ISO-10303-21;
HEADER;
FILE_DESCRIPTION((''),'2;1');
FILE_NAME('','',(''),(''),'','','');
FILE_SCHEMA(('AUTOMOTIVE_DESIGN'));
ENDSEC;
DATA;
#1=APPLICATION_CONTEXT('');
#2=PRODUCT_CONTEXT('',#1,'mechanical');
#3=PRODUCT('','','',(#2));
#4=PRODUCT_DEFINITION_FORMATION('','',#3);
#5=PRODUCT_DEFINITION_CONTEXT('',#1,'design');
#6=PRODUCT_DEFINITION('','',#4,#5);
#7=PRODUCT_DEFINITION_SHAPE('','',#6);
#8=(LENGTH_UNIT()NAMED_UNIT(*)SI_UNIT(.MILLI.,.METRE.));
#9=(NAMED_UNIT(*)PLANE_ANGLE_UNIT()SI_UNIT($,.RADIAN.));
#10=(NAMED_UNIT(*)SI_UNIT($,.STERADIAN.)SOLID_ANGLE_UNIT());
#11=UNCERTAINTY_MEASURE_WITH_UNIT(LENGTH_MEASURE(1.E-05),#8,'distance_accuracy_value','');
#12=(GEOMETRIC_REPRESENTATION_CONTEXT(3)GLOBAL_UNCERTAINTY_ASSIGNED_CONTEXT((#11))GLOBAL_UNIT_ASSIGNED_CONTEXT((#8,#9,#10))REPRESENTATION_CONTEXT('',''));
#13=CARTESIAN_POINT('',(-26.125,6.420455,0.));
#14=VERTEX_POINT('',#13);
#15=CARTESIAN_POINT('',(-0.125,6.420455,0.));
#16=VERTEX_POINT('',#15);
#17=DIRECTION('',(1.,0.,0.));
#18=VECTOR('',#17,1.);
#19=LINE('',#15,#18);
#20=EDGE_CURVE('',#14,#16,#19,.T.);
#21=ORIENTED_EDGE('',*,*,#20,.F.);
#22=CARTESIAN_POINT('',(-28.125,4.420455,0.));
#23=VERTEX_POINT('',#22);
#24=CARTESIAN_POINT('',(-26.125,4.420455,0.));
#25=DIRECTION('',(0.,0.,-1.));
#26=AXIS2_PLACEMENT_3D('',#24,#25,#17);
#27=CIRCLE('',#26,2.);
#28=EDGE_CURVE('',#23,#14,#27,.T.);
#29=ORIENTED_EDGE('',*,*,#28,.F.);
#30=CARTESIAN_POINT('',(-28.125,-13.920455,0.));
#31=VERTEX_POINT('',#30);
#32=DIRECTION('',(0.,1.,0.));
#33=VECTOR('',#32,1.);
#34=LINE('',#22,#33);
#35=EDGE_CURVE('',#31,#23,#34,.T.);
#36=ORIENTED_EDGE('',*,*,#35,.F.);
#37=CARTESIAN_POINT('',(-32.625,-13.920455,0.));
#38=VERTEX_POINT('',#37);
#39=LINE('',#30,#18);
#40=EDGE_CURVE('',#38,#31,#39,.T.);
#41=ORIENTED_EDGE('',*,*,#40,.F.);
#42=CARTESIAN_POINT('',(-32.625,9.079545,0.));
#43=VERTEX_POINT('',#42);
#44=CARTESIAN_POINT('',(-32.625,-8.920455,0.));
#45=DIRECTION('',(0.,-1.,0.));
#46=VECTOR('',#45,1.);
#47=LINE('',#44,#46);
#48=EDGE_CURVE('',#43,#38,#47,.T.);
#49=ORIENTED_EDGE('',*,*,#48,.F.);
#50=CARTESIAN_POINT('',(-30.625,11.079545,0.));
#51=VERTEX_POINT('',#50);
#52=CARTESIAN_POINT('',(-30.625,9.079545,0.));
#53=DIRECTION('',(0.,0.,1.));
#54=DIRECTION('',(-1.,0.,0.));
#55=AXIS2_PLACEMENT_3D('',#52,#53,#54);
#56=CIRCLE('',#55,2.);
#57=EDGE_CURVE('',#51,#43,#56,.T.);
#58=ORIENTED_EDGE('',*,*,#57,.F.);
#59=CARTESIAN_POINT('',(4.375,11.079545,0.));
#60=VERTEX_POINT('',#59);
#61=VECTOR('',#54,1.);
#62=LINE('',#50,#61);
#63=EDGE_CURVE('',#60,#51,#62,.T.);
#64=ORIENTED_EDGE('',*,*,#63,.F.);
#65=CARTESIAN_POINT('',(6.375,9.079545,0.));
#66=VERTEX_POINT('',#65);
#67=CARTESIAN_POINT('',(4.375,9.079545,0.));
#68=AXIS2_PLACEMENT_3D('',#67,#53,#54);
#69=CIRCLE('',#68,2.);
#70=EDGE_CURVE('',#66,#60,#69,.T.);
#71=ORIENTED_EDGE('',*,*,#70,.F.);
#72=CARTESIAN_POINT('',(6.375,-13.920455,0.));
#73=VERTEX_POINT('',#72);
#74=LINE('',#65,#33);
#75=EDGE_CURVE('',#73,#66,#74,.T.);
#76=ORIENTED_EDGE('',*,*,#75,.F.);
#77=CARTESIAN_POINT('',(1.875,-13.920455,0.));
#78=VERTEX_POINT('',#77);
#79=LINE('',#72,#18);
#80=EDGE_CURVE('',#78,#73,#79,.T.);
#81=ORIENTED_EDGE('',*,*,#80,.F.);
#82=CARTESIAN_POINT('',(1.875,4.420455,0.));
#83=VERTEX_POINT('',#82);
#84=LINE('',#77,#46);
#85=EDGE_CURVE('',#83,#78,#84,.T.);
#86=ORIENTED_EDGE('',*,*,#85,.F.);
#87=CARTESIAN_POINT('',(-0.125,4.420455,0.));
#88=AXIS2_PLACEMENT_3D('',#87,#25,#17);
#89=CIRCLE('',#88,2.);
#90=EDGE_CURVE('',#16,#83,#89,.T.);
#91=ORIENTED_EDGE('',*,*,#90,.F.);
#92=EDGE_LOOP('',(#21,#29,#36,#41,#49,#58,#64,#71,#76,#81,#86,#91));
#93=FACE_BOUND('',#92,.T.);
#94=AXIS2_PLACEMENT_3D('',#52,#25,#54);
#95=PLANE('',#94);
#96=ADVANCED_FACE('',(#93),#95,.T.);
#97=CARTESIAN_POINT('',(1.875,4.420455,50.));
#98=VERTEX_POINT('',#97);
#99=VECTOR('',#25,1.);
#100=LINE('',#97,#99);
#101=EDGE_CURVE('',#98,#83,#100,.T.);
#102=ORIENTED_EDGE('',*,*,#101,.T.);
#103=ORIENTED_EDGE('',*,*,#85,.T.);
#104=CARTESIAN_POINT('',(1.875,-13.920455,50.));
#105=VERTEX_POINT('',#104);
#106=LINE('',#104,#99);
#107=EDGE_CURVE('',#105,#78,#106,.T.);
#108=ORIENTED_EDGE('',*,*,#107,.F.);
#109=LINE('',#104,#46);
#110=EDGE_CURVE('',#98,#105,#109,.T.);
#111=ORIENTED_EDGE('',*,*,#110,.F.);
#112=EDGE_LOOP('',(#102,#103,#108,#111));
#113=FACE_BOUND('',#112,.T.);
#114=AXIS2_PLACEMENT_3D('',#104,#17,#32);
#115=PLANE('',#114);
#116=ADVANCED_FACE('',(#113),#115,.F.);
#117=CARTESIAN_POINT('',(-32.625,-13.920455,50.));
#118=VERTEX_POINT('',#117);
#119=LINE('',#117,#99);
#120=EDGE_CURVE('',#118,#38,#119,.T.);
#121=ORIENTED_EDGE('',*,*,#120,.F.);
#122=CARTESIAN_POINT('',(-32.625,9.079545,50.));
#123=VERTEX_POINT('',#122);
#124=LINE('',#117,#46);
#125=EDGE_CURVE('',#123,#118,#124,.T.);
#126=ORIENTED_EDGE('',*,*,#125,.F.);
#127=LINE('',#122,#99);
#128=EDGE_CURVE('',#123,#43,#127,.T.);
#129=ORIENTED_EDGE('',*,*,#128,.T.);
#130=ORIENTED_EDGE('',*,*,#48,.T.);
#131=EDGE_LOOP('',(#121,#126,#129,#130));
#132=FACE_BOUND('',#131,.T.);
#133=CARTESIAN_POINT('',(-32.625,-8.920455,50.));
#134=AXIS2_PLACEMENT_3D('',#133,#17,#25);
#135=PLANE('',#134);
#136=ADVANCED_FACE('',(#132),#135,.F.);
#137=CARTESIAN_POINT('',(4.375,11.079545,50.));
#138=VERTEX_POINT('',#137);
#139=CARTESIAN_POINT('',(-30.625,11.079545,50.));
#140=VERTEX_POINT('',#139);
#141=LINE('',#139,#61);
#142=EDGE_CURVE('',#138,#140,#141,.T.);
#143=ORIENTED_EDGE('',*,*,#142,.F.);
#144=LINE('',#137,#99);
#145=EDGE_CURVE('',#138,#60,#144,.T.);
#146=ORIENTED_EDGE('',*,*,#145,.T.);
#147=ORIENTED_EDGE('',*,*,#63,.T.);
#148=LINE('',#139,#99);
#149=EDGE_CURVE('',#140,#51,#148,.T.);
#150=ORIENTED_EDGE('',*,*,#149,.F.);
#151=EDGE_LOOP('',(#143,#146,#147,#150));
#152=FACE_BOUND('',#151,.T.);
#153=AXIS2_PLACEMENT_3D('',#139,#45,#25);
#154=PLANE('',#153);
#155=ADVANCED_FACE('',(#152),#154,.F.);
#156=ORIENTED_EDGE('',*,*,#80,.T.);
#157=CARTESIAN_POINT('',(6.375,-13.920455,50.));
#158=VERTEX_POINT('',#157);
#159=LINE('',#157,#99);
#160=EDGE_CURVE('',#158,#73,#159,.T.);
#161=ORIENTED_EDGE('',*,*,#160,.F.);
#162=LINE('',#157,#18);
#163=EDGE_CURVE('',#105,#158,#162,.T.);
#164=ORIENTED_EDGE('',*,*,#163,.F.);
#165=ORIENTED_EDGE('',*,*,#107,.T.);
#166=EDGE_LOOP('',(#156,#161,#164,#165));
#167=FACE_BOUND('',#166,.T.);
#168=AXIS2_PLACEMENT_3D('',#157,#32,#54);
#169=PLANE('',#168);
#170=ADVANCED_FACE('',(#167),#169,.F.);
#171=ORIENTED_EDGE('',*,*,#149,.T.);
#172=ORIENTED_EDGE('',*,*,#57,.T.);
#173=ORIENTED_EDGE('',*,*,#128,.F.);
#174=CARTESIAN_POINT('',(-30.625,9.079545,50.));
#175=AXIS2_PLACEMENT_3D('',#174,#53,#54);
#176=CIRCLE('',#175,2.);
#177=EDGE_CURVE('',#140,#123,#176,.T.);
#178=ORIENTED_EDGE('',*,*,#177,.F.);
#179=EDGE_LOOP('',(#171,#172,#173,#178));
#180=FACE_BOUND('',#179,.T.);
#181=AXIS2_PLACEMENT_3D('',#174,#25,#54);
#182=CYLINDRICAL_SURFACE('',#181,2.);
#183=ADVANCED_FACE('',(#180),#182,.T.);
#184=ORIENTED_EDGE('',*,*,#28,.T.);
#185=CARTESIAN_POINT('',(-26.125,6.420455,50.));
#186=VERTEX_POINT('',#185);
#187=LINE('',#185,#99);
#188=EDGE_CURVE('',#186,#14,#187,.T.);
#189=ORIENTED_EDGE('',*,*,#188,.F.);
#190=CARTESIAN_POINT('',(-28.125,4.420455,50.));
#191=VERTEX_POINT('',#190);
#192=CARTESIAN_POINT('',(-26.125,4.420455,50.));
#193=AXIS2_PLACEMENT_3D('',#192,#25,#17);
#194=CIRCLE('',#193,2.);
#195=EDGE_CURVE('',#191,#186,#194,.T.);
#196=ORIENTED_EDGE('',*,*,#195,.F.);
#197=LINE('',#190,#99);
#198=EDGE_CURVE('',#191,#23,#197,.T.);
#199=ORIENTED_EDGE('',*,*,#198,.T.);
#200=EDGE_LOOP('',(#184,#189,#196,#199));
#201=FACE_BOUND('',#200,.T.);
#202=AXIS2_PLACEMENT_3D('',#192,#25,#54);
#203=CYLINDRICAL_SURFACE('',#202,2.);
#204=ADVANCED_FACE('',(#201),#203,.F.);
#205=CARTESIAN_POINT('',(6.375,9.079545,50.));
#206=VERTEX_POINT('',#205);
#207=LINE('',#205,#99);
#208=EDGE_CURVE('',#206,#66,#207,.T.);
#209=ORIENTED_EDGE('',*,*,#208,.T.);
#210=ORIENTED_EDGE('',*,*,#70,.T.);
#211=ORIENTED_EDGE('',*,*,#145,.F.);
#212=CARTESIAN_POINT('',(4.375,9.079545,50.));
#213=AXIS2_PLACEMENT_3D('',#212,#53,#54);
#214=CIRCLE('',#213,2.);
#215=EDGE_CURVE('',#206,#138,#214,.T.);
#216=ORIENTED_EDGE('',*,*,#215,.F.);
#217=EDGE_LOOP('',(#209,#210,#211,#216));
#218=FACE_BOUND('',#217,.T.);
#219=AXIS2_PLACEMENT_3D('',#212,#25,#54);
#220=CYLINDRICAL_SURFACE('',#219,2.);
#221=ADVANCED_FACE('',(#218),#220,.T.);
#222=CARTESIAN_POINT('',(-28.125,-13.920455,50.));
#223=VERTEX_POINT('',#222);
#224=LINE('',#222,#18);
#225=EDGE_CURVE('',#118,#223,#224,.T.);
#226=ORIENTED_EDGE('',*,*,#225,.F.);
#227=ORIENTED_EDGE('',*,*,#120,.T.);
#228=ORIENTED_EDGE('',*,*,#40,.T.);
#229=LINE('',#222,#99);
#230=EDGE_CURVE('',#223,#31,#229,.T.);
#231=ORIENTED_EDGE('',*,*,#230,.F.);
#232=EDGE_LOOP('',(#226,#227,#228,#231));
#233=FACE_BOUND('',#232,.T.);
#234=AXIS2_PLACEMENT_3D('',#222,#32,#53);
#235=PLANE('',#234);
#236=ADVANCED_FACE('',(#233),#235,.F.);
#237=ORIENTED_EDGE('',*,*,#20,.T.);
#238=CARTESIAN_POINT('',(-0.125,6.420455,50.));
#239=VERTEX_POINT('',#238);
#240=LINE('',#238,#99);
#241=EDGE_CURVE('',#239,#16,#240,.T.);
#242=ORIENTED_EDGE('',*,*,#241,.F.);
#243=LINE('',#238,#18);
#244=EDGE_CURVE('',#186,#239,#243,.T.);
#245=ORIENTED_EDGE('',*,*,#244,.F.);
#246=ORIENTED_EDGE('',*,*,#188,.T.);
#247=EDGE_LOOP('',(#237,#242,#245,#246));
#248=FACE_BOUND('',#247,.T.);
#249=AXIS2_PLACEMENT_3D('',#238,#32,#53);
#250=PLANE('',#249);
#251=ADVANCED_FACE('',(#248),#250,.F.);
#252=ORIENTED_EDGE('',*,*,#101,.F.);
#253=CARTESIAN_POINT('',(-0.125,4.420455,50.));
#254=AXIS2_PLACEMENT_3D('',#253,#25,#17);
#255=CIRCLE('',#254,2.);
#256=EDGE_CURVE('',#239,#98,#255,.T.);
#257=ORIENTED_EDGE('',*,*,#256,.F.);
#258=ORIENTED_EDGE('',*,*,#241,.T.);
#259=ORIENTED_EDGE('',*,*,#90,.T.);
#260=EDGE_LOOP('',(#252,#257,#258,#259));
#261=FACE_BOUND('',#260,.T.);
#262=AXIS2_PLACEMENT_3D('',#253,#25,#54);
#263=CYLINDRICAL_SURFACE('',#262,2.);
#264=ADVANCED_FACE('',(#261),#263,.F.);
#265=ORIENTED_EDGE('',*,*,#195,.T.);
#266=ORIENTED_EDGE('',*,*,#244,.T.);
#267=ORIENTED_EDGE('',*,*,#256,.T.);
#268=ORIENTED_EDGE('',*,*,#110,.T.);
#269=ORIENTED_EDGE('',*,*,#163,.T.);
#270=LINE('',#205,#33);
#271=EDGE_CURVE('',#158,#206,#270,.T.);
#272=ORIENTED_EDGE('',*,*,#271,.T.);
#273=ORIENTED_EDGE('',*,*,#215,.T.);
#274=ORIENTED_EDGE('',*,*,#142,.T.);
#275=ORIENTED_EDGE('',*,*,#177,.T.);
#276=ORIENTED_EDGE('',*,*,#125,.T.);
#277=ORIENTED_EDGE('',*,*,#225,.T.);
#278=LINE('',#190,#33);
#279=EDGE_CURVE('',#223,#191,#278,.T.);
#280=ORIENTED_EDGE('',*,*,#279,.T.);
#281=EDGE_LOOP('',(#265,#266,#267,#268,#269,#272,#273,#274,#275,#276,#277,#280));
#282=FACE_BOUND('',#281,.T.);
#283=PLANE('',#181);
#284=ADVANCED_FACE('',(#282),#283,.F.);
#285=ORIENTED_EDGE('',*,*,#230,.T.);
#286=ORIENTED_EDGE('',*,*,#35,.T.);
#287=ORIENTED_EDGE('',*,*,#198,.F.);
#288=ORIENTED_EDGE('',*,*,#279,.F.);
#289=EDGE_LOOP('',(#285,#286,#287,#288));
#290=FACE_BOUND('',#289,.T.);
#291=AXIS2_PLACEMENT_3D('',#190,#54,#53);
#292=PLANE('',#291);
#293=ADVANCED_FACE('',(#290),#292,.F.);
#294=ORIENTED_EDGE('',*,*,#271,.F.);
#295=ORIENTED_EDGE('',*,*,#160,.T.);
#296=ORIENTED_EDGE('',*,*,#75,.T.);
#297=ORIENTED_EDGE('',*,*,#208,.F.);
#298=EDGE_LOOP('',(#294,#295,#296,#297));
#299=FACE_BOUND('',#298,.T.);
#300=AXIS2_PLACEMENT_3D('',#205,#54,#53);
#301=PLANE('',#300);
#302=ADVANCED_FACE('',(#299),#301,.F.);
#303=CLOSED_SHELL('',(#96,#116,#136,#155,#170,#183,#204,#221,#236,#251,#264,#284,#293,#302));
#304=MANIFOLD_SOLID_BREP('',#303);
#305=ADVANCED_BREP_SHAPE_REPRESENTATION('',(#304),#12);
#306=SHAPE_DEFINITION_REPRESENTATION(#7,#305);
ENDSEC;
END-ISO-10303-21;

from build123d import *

# Parameters (mm, degrees)
BOSS_EXTRU_1_DEPTH = 50


with BuildPart() as part:
    # Esquisse2 → Boss.-Extru.1 (new body)
    with BuildSketch(Plane.XY):
        with BuildLine():
            Line((-32.625, -8.920454545), (-32.625, 9.079545455))
            ThreePointArc((-32.625, 9.079545455), (-32.039213562, 10.493759017), (-30.625, 11.079545455))
            Line((-30.625, 11.079545455), (4.375, 11.079545455))
            ThreePointArc((4.375, 11.079545455), (5.789213562, 10.493759017), (6.375, 9.079545455))
            Line((6.375, 9.079545455), (6.375, -13.920454545))
            Line((6.375, -13.920454545), (1.875, -13.920454545))
            Line((1.875, -13.920454545), (1.875, 4.420454545))
            ThreePointArc((1.875, 4.420454545), (1.289213562, 5.834668108), (-0.125, 6.420454545))
            Line((-0.125, 6.420454545), (-26.125, 6.420454545))
            ThreePointArc((-26.125, 6.420454545), (-27.539213562, 5.834668108), (-28.125, 4.420454545))
            Line((-28.125, 4.420454545), (-28.125, -13.920454545))
            Line((-28.125, -13.920454545), (-32.625, -13.920454545))
            Line((-32.625, -13.920454545), (-32.625, -8.920454545))
        make_face()
    extrude(amount=BOSS_EXTRU_1_DEPTH)


solid = part.part
